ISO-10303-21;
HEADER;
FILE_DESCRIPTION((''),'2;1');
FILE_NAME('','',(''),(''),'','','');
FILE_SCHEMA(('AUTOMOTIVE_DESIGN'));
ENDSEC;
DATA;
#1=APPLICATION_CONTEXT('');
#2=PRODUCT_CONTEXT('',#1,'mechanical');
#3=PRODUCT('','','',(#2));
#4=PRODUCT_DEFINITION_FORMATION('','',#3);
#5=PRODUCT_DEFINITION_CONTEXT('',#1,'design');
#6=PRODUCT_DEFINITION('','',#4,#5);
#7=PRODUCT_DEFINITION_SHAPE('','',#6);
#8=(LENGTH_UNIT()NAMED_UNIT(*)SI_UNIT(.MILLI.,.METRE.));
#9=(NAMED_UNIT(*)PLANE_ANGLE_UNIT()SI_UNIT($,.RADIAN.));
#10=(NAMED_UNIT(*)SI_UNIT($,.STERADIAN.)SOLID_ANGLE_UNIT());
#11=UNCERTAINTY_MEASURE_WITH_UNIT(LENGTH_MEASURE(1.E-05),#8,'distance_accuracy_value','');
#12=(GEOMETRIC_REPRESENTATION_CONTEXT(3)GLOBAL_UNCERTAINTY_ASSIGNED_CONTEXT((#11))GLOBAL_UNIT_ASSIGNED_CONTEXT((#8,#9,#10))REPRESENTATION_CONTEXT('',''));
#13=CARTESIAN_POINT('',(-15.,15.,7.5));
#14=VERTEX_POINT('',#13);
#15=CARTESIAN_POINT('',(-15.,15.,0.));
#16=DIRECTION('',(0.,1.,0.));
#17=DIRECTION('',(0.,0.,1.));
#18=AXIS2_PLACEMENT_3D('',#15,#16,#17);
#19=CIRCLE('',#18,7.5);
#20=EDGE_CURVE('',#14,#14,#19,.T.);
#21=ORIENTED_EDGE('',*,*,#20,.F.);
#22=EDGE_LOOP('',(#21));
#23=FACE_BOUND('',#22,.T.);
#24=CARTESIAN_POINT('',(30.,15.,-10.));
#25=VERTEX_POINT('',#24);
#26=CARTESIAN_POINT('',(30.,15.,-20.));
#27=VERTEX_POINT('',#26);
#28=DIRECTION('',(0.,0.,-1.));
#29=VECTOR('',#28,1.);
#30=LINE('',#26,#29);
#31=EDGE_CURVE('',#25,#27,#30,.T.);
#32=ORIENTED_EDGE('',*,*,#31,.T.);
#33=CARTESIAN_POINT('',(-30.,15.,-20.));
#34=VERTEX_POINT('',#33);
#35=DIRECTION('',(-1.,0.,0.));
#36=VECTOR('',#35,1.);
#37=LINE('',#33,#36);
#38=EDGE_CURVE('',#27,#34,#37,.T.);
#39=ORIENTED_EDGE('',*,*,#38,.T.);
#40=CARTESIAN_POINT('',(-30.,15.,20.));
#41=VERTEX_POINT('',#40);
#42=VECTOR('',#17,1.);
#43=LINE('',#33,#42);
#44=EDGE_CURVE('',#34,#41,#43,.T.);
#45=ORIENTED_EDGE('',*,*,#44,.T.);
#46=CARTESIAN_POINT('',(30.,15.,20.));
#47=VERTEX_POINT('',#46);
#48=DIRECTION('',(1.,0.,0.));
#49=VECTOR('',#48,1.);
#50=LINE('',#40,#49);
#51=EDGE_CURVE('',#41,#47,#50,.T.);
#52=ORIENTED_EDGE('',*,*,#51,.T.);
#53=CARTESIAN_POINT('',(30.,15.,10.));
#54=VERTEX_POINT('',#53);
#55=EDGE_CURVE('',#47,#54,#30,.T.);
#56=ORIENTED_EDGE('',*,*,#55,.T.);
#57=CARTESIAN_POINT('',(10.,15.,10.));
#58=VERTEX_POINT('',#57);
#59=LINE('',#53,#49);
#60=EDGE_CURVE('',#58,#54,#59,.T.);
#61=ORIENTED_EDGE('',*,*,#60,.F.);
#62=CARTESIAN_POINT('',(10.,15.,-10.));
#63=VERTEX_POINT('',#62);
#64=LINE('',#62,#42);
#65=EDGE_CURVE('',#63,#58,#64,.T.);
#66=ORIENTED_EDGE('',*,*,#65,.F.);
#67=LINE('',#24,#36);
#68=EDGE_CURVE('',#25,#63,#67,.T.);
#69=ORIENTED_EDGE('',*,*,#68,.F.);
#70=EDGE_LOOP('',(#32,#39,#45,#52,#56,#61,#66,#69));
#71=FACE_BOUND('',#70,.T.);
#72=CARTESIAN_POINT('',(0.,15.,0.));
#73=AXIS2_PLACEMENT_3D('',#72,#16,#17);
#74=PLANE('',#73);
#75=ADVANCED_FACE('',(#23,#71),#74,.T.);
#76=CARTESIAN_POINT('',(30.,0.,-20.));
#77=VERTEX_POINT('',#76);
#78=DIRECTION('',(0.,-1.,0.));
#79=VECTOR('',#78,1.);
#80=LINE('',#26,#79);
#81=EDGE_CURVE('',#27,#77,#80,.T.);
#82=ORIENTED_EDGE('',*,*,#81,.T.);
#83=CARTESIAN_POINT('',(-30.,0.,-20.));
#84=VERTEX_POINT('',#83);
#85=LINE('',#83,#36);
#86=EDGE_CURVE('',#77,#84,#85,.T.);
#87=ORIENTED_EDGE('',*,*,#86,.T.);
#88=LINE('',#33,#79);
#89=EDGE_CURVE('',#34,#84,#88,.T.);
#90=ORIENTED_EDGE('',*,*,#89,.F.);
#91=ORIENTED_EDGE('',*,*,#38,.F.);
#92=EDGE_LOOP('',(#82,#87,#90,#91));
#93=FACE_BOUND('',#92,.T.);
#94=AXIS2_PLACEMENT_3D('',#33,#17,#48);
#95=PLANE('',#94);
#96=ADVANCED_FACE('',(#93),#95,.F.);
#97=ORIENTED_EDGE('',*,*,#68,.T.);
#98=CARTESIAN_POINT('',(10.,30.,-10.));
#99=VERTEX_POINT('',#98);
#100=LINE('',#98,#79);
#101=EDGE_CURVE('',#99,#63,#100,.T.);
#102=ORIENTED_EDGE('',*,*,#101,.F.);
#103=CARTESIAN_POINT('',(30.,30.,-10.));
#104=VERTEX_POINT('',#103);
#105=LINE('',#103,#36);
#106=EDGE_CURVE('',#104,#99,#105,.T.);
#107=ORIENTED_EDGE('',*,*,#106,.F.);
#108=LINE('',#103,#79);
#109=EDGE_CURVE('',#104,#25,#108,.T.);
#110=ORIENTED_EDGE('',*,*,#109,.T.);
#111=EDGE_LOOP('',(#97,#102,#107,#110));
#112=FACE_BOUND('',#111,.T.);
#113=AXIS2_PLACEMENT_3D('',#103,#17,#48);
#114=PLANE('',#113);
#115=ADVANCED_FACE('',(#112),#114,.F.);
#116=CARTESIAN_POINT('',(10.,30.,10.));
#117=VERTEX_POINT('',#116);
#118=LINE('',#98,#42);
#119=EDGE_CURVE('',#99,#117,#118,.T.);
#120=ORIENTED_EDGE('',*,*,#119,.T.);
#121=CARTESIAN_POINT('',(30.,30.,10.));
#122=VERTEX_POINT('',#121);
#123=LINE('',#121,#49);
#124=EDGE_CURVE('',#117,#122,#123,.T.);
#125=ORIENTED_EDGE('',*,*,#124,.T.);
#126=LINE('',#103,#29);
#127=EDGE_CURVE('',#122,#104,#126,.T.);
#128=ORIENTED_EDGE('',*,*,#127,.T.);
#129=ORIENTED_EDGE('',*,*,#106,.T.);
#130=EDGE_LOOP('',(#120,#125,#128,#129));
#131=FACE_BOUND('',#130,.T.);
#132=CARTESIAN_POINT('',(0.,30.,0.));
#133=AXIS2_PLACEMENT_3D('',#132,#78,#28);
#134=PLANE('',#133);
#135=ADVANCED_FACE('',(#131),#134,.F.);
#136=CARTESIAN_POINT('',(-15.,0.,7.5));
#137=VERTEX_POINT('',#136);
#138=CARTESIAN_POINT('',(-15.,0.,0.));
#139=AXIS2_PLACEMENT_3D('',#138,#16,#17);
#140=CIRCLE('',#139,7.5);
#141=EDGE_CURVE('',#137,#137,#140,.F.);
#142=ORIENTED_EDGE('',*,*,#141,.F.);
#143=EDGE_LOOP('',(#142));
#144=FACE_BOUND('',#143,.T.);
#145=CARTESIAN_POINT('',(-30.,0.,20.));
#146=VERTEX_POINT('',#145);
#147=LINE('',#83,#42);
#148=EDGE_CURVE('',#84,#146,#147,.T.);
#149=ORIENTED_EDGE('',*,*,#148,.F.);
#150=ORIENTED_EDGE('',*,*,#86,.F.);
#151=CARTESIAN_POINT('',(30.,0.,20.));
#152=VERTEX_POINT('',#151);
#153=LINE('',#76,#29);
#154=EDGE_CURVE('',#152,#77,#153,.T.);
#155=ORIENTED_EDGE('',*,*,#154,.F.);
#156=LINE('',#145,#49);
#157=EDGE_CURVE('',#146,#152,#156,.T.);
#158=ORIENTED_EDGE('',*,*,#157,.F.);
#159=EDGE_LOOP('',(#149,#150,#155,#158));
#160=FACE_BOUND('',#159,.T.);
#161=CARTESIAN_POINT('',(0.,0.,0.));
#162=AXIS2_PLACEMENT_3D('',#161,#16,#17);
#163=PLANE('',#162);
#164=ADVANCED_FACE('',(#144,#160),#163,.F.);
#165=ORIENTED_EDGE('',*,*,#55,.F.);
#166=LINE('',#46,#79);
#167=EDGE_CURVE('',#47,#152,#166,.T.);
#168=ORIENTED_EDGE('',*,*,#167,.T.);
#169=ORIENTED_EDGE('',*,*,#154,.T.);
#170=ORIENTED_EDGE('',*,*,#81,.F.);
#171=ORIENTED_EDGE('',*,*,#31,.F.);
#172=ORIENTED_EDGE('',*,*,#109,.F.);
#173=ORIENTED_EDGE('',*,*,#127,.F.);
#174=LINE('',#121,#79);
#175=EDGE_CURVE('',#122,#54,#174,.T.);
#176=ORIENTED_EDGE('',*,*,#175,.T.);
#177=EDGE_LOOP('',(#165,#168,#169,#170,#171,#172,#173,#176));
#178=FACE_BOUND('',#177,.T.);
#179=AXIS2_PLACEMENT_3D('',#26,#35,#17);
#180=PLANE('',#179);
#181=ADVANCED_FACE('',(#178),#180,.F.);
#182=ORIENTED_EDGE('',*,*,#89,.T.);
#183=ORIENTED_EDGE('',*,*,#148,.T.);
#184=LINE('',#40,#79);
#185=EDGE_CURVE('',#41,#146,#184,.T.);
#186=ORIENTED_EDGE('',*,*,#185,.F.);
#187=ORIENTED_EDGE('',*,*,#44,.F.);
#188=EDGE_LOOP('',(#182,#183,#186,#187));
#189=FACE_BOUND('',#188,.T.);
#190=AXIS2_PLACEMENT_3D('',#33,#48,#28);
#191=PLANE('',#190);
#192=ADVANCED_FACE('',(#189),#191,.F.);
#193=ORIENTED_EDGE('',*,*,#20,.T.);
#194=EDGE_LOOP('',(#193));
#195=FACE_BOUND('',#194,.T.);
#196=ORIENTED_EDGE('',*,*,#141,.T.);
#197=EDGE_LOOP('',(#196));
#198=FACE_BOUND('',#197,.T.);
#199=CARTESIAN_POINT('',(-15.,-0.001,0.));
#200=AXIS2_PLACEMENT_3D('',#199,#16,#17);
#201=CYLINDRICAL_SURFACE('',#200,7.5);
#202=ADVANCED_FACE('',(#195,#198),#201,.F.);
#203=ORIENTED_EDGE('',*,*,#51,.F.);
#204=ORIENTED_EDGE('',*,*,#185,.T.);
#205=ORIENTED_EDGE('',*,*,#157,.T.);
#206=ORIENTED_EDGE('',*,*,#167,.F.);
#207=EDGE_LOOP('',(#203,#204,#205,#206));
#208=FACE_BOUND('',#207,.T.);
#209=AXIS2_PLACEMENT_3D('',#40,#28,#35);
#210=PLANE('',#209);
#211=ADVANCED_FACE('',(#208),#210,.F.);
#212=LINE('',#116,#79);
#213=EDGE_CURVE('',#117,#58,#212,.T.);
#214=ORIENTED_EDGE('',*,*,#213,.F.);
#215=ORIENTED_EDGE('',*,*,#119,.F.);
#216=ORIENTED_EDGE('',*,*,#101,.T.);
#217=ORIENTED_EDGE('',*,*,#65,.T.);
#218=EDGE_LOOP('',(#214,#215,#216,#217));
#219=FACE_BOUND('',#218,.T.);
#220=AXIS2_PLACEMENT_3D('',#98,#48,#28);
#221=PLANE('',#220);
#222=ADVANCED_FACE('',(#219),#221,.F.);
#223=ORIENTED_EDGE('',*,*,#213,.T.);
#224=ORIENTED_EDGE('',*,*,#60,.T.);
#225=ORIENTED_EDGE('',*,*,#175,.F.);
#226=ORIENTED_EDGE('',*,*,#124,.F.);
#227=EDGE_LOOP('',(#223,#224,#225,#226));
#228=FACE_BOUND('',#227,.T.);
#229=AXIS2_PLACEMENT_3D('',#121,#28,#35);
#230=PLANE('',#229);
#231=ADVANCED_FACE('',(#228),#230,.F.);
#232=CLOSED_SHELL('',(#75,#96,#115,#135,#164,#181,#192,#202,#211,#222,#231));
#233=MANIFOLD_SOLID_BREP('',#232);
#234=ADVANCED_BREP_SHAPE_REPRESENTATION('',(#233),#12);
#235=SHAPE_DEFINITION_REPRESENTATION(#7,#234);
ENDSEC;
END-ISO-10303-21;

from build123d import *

# Parameters (mm, degrees)
SKETCH1_W           = 60
SKETCH1_H           = 40
BOSS_EXTRUDE1_DEPTH = 15
CUT_EXTRUDE1_REACH  = 17
SKETCH2_R           = 7.5
SKETCH3_W           = 20
SKETCH3_H           = 20
BOSS_EXTRUDE2_DEPTH = 15


with BuildPart() as part:
    # Sketch1 → Boss-Extrude1 (new body)
    with BuildSketch(Plane(origin=(0, 0, 0), x_dir=(1, 0, 0), z_dir=(0, 1, 0))):
        Rectangle(SKETCH1_W, SKETCH1_H)
    extrude(amount=BOSS_EXTRUDE1_DEPTH)

    # Sketch2 → Cut-Extrude1 (cut, up to next)
    with BuildSketch(Plane(origin=(0, 15, 0), x_dir=(1, 0, 0), z_dir=(0, 1, 0)), mode=Mode.PRIVATE) as cut_extrude1_sk1:
        with Locations((-15, 0)):
            Circle(SKETCH2_R)
    cut_extrude1_tool1 = extrude(cut_extrude1_sk1.sketch, amount=-CUT_EXTRUDE1_REACH, mode=Mode.PRIVATE) & part.part
    add(cut_extrude1_tool1.solids().sort_by_distance((-15, 15, 0))[0], mode=Mode.SUBTRACT)

    # Sketch3 → Boss-Extrude2 (add)
    with BuildSketch(Plane(origin=(0, 15, 0), x_dir=(1, 0, 0), z_dir=(0, 1, 0))):
        with Locations((20, 0)):
            Rectangle(SKETCH3_W, SKETCH3_H)
    extrude(amount=BOSS_EXTRUDE2_DEPTH)


solid = part.part
